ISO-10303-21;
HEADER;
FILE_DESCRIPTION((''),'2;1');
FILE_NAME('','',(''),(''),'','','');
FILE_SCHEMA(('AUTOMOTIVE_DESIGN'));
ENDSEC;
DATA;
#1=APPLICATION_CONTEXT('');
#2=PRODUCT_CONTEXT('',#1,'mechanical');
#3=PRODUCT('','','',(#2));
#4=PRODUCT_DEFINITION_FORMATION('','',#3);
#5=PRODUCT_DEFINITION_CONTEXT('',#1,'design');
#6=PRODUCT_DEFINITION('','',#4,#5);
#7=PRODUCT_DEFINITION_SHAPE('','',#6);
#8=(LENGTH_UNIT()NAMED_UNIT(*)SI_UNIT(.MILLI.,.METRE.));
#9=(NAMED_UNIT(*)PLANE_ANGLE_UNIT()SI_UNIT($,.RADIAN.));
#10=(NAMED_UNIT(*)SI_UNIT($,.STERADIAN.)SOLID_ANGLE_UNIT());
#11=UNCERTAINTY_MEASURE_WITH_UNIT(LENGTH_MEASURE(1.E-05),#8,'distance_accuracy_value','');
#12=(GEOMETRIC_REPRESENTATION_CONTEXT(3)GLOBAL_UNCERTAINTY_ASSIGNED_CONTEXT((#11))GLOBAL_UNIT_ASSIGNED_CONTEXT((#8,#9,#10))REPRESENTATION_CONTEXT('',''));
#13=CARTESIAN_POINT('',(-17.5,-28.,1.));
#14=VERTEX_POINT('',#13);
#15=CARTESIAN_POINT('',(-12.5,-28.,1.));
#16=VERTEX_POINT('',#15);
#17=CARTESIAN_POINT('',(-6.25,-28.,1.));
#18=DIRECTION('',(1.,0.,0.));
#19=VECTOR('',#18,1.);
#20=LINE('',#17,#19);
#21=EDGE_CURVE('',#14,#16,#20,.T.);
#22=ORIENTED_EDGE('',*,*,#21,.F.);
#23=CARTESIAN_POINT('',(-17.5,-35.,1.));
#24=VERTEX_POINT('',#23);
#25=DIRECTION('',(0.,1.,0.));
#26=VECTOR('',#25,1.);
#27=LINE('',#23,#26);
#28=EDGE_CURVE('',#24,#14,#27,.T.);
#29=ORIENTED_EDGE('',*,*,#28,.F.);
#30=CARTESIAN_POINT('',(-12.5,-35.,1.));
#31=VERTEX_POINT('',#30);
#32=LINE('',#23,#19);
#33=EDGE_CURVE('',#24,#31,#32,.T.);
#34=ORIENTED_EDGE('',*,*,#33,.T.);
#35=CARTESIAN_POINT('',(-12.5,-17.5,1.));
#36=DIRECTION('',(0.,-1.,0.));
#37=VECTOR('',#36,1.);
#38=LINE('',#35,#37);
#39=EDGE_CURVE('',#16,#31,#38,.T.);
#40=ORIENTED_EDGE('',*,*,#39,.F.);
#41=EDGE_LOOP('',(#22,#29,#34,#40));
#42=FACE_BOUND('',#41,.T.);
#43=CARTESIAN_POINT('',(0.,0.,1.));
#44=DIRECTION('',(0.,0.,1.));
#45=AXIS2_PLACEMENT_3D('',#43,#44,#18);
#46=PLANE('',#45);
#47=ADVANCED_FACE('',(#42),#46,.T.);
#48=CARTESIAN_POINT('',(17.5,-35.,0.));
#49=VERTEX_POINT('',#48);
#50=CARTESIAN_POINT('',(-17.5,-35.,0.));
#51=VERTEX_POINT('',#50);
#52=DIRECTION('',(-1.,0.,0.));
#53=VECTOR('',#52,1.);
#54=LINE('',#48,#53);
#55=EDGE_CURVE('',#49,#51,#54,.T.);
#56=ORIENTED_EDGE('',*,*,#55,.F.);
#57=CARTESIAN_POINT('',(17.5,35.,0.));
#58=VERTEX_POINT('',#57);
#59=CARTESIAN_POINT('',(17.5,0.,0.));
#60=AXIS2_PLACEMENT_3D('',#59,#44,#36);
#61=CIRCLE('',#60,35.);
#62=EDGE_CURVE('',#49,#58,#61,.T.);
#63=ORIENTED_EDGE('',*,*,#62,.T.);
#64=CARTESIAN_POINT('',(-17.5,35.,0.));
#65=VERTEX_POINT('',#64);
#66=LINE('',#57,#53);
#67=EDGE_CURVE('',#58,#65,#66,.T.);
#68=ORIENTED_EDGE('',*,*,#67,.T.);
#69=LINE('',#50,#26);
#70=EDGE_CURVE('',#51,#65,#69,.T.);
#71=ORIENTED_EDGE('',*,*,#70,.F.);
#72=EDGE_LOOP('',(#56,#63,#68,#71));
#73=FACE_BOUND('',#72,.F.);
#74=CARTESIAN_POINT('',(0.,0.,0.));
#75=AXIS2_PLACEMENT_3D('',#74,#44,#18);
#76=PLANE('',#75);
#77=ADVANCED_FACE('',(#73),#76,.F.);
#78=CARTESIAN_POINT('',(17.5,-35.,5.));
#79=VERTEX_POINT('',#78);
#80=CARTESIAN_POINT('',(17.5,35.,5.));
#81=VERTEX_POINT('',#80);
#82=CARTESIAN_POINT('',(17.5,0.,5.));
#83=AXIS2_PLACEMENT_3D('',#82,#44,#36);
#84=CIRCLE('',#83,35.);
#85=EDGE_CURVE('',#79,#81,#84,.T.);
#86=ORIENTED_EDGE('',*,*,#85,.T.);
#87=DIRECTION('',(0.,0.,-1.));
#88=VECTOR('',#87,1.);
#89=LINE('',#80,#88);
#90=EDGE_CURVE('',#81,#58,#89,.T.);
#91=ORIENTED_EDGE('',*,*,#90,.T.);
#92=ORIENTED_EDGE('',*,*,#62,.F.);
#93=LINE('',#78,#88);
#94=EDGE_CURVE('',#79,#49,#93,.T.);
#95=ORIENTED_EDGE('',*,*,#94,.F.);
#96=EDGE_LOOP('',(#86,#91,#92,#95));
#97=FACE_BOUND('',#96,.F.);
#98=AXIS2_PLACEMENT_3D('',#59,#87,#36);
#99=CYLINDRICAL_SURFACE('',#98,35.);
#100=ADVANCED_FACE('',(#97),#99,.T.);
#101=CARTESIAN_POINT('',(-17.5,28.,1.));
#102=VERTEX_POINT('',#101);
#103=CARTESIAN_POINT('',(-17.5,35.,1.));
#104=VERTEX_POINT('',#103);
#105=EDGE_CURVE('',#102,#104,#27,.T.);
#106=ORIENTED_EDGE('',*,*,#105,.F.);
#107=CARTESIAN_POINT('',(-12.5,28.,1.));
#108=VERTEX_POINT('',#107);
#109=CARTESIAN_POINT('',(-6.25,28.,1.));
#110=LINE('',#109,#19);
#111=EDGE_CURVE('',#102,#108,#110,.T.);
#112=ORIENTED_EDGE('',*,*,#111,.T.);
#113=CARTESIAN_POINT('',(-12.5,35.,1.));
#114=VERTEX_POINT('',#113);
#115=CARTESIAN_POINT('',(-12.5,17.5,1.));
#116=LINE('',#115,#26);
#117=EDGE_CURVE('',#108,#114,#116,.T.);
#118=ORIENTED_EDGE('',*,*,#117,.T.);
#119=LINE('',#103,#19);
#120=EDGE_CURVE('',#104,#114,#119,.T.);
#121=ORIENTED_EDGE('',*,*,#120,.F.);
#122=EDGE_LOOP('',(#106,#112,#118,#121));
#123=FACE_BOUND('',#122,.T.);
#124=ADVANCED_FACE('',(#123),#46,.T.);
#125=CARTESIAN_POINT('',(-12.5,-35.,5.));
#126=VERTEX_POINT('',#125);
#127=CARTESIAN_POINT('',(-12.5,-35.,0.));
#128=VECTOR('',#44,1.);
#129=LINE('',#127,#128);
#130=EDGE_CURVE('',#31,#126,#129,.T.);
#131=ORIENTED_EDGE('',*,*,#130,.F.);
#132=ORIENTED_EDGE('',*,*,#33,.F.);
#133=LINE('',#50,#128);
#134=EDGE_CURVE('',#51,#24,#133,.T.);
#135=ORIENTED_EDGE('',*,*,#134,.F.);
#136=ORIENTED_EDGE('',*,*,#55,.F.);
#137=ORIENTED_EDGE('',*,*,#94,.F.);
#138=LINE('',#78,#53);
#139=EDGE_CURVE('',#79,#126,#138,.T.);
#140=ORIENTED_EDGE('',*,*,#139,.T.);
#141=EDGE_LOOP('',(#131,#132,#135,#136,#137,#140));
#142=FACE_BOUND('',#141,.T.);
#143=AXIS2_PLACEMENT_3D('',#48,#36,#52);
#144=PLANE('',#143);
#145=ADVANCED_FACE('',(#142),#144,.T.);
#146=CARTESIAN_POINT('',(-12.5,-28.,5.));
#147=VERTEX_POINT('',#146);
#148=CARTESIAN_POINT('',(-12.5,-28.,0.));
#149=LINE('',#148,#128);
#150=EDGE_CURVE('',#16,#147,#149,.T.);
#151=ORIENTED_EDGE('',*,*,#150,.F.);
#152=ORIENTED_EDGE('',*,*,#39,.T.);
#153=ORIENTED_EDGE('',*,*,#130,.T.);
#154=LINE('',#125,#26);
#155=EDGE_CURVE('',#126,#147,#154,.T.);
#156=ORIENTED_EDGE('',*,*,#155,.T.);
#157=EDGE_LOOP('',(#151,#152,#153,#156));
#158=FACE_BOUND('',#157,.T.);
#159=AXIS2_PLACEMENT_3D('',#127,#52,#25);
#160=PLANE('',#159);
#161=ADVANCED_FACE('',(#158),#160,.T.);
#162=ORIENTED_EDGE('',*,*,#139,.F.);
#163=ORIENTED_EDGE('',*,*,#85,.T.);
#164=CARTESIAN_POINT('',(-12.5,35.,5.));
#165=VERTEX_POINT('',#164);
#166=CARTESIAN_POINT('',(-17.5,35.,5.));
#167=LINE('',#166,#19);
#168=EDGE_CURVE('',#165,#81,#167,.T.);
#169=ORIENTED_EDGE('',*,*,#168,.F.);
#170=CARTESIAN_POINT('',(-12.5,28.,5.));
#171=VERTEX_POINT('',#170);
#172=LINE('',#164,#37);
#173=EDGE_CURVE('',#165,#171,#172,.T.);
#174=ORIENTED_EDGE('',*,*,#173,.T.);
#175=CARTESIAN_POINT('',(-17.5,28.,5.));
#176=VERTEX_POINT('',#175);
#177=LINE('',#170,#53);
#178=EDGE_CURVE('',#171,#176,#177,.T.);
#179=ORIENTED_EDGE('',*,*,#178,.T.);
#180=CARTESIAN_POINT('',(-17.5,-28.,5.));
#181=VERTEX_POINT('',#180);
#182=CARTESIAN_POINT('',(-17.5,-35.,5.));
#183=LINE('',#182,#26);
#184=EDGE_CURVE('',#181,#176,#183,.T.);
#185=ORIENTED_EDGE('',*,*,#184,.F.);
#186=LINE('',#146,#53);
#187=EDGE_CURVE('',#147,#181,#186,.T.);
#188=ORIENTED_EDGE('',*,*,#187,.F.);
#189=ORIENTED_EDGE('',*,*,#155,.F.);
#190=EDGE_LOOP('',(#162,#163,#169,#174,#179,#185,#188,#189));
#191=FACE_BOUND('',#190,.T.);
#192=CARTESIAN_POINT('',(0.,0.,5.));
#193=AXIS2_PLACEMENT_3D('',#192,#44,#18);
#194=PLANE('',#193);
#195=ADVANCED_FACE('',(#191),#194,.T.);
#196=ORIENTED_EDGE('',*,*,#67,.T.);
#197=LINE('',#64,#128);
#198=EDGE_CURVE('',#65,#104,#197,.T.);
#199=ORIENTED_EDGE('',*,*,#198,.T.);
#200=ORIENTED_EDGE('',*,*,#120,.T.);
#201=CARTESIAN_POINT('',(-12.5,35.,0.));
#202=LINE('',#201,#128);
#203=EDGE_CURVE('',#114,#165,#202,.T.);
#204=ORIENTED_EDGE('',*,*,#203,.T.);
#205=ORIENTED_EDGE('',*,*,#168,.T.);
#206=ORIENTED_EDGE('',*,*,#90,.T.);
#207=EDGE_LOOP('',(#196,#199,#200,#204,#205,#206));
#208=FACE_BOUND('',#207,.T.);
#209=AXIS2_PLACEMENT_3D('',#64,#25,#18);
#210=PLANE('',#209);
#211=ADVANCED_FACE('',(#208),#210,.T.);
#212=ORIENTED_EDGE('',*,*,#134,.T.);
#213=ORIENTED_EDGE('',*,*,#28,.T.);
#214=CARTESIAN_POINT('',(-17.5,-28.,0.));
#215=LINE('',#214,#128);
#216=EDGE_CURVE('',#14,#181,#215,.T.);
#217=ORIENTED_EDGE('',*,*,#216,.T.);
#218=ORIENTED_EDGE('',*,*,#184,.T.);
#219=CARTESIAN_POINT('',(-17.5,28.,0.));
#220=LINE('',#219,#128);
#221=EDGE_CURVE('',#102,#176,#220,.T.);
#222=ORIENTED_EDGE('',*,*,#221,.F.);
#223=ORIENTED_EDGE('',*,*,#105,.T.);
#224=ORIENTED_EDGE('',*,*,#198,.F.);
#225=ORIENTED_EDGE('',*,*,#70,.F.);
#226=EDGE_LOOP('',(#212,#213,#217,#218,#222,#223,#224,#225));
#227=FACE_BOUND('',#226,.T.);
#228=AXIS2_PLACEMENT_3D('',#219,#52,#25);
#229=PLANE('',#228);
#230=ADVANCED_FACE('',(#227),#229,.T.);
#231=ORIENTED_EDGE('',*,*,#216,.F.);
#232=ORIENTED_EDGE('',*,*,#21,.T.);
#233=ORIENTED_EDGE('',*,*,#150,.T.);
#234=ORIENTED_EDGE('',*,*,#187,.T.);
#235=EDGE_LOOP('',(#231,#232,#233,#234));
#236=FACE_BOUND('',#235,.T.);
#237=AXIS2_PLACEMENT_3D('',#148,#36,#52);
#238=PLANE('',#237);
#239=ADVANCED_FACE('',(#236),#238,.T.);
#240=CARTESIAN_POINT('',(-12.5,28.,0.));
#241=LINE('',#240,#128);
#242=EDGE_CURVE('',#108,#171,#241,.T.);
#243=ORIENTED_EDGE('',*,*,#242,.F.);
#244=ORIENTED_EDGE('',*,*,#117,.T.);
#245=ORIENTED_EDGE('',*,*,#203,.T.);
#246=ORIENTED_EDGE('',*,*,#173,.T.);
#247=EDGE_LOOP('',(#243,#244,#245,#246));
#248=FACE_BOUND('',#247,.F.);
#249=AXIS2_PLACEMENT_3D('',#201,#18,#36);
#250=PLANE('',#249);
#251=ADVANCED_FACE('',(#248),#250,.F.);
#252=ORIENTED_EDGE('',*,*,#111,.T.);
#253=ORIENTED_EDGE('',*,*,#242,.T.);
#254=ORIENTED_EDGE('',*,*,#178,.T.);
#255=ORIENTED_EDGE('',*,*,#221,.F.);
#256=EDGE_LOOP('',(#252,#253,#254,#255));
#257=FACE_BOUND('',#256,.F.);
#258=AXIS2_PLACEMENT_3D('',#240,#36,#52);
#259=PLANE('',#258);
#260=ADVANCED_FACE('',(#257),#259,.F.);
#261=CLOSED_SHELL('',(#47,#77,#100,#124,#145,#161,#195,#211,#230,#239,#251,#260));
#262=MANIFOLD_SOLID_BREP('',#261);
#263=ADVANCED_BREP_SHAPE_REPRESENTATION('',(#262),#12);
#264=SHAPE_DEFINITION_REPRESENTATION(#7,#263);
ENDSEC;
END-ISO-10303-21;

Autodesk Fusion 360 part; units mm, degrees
sketch "Esquisse1" plane through (0, 0, 0) normal (0, 0, 1) x (1, 0, 0)
  circle A0 centre (0, 0) radius 27.9
  circle A1 centre (0, 0) radius 28.9
  dimension "d1" = 55.8
  dimension "d2" = 57.8
extrude "Extrusion1" add sketch "Esquisse1" along normal blind 1

Autodesk Fusion 360 part; units mm, degrees
sketch "Esquisse1" plane through (0, 0, 0) normal (0, 0, 1) x (1, 0, 0)
  line L0 (-17.5, 35) -> (17.5, 35)
  line L1 (17.5, 35) -> (17.5, -35)
  line L2 (17.5, -35) -> (-17.5, -35)
  line L3 (-17.5, -35) -> (-17.5, 35)
  line L4 (-17.5, 35) -> (17.5, -35) construction
  line L5 (17.5, 35) -> (-17.5, -35) construction
  arc A0 (17.5, -35) -> (17.5, 35) centre (17.5, 0) ccw
  line L6 (-17.5, 35) -> (-12.5, 35)
  line L7 (-12.5, 35) -> (-12.5, 28)
  line L8 (-12.5, 28) -> (-17.5, 28)
  line L9 (-17.5, 28) -> (-17.5, 35)
  line L10 (-17.5, -35) -> (-12.5, -35)
  line L11 (-12.5, -35) -> (-12.5, -28)
  line L12 (-12.5, -28) -> (-17.5, -28)
  line L13 (-17.5, -28) -> (-17.5, -35)
  dimension "d1" = 35
  dimension "d2" = 70
  dimension "d13" = 7
  dimension "d14" = 5
  dimension "d15" = 5
  dimension "d16" = 7
extrude "Extrusion1" add sketch "Esquisse1" along normal blind 5 contours L0 L1 L2 L3 L7 L8 L11 L12 | L1 A0
